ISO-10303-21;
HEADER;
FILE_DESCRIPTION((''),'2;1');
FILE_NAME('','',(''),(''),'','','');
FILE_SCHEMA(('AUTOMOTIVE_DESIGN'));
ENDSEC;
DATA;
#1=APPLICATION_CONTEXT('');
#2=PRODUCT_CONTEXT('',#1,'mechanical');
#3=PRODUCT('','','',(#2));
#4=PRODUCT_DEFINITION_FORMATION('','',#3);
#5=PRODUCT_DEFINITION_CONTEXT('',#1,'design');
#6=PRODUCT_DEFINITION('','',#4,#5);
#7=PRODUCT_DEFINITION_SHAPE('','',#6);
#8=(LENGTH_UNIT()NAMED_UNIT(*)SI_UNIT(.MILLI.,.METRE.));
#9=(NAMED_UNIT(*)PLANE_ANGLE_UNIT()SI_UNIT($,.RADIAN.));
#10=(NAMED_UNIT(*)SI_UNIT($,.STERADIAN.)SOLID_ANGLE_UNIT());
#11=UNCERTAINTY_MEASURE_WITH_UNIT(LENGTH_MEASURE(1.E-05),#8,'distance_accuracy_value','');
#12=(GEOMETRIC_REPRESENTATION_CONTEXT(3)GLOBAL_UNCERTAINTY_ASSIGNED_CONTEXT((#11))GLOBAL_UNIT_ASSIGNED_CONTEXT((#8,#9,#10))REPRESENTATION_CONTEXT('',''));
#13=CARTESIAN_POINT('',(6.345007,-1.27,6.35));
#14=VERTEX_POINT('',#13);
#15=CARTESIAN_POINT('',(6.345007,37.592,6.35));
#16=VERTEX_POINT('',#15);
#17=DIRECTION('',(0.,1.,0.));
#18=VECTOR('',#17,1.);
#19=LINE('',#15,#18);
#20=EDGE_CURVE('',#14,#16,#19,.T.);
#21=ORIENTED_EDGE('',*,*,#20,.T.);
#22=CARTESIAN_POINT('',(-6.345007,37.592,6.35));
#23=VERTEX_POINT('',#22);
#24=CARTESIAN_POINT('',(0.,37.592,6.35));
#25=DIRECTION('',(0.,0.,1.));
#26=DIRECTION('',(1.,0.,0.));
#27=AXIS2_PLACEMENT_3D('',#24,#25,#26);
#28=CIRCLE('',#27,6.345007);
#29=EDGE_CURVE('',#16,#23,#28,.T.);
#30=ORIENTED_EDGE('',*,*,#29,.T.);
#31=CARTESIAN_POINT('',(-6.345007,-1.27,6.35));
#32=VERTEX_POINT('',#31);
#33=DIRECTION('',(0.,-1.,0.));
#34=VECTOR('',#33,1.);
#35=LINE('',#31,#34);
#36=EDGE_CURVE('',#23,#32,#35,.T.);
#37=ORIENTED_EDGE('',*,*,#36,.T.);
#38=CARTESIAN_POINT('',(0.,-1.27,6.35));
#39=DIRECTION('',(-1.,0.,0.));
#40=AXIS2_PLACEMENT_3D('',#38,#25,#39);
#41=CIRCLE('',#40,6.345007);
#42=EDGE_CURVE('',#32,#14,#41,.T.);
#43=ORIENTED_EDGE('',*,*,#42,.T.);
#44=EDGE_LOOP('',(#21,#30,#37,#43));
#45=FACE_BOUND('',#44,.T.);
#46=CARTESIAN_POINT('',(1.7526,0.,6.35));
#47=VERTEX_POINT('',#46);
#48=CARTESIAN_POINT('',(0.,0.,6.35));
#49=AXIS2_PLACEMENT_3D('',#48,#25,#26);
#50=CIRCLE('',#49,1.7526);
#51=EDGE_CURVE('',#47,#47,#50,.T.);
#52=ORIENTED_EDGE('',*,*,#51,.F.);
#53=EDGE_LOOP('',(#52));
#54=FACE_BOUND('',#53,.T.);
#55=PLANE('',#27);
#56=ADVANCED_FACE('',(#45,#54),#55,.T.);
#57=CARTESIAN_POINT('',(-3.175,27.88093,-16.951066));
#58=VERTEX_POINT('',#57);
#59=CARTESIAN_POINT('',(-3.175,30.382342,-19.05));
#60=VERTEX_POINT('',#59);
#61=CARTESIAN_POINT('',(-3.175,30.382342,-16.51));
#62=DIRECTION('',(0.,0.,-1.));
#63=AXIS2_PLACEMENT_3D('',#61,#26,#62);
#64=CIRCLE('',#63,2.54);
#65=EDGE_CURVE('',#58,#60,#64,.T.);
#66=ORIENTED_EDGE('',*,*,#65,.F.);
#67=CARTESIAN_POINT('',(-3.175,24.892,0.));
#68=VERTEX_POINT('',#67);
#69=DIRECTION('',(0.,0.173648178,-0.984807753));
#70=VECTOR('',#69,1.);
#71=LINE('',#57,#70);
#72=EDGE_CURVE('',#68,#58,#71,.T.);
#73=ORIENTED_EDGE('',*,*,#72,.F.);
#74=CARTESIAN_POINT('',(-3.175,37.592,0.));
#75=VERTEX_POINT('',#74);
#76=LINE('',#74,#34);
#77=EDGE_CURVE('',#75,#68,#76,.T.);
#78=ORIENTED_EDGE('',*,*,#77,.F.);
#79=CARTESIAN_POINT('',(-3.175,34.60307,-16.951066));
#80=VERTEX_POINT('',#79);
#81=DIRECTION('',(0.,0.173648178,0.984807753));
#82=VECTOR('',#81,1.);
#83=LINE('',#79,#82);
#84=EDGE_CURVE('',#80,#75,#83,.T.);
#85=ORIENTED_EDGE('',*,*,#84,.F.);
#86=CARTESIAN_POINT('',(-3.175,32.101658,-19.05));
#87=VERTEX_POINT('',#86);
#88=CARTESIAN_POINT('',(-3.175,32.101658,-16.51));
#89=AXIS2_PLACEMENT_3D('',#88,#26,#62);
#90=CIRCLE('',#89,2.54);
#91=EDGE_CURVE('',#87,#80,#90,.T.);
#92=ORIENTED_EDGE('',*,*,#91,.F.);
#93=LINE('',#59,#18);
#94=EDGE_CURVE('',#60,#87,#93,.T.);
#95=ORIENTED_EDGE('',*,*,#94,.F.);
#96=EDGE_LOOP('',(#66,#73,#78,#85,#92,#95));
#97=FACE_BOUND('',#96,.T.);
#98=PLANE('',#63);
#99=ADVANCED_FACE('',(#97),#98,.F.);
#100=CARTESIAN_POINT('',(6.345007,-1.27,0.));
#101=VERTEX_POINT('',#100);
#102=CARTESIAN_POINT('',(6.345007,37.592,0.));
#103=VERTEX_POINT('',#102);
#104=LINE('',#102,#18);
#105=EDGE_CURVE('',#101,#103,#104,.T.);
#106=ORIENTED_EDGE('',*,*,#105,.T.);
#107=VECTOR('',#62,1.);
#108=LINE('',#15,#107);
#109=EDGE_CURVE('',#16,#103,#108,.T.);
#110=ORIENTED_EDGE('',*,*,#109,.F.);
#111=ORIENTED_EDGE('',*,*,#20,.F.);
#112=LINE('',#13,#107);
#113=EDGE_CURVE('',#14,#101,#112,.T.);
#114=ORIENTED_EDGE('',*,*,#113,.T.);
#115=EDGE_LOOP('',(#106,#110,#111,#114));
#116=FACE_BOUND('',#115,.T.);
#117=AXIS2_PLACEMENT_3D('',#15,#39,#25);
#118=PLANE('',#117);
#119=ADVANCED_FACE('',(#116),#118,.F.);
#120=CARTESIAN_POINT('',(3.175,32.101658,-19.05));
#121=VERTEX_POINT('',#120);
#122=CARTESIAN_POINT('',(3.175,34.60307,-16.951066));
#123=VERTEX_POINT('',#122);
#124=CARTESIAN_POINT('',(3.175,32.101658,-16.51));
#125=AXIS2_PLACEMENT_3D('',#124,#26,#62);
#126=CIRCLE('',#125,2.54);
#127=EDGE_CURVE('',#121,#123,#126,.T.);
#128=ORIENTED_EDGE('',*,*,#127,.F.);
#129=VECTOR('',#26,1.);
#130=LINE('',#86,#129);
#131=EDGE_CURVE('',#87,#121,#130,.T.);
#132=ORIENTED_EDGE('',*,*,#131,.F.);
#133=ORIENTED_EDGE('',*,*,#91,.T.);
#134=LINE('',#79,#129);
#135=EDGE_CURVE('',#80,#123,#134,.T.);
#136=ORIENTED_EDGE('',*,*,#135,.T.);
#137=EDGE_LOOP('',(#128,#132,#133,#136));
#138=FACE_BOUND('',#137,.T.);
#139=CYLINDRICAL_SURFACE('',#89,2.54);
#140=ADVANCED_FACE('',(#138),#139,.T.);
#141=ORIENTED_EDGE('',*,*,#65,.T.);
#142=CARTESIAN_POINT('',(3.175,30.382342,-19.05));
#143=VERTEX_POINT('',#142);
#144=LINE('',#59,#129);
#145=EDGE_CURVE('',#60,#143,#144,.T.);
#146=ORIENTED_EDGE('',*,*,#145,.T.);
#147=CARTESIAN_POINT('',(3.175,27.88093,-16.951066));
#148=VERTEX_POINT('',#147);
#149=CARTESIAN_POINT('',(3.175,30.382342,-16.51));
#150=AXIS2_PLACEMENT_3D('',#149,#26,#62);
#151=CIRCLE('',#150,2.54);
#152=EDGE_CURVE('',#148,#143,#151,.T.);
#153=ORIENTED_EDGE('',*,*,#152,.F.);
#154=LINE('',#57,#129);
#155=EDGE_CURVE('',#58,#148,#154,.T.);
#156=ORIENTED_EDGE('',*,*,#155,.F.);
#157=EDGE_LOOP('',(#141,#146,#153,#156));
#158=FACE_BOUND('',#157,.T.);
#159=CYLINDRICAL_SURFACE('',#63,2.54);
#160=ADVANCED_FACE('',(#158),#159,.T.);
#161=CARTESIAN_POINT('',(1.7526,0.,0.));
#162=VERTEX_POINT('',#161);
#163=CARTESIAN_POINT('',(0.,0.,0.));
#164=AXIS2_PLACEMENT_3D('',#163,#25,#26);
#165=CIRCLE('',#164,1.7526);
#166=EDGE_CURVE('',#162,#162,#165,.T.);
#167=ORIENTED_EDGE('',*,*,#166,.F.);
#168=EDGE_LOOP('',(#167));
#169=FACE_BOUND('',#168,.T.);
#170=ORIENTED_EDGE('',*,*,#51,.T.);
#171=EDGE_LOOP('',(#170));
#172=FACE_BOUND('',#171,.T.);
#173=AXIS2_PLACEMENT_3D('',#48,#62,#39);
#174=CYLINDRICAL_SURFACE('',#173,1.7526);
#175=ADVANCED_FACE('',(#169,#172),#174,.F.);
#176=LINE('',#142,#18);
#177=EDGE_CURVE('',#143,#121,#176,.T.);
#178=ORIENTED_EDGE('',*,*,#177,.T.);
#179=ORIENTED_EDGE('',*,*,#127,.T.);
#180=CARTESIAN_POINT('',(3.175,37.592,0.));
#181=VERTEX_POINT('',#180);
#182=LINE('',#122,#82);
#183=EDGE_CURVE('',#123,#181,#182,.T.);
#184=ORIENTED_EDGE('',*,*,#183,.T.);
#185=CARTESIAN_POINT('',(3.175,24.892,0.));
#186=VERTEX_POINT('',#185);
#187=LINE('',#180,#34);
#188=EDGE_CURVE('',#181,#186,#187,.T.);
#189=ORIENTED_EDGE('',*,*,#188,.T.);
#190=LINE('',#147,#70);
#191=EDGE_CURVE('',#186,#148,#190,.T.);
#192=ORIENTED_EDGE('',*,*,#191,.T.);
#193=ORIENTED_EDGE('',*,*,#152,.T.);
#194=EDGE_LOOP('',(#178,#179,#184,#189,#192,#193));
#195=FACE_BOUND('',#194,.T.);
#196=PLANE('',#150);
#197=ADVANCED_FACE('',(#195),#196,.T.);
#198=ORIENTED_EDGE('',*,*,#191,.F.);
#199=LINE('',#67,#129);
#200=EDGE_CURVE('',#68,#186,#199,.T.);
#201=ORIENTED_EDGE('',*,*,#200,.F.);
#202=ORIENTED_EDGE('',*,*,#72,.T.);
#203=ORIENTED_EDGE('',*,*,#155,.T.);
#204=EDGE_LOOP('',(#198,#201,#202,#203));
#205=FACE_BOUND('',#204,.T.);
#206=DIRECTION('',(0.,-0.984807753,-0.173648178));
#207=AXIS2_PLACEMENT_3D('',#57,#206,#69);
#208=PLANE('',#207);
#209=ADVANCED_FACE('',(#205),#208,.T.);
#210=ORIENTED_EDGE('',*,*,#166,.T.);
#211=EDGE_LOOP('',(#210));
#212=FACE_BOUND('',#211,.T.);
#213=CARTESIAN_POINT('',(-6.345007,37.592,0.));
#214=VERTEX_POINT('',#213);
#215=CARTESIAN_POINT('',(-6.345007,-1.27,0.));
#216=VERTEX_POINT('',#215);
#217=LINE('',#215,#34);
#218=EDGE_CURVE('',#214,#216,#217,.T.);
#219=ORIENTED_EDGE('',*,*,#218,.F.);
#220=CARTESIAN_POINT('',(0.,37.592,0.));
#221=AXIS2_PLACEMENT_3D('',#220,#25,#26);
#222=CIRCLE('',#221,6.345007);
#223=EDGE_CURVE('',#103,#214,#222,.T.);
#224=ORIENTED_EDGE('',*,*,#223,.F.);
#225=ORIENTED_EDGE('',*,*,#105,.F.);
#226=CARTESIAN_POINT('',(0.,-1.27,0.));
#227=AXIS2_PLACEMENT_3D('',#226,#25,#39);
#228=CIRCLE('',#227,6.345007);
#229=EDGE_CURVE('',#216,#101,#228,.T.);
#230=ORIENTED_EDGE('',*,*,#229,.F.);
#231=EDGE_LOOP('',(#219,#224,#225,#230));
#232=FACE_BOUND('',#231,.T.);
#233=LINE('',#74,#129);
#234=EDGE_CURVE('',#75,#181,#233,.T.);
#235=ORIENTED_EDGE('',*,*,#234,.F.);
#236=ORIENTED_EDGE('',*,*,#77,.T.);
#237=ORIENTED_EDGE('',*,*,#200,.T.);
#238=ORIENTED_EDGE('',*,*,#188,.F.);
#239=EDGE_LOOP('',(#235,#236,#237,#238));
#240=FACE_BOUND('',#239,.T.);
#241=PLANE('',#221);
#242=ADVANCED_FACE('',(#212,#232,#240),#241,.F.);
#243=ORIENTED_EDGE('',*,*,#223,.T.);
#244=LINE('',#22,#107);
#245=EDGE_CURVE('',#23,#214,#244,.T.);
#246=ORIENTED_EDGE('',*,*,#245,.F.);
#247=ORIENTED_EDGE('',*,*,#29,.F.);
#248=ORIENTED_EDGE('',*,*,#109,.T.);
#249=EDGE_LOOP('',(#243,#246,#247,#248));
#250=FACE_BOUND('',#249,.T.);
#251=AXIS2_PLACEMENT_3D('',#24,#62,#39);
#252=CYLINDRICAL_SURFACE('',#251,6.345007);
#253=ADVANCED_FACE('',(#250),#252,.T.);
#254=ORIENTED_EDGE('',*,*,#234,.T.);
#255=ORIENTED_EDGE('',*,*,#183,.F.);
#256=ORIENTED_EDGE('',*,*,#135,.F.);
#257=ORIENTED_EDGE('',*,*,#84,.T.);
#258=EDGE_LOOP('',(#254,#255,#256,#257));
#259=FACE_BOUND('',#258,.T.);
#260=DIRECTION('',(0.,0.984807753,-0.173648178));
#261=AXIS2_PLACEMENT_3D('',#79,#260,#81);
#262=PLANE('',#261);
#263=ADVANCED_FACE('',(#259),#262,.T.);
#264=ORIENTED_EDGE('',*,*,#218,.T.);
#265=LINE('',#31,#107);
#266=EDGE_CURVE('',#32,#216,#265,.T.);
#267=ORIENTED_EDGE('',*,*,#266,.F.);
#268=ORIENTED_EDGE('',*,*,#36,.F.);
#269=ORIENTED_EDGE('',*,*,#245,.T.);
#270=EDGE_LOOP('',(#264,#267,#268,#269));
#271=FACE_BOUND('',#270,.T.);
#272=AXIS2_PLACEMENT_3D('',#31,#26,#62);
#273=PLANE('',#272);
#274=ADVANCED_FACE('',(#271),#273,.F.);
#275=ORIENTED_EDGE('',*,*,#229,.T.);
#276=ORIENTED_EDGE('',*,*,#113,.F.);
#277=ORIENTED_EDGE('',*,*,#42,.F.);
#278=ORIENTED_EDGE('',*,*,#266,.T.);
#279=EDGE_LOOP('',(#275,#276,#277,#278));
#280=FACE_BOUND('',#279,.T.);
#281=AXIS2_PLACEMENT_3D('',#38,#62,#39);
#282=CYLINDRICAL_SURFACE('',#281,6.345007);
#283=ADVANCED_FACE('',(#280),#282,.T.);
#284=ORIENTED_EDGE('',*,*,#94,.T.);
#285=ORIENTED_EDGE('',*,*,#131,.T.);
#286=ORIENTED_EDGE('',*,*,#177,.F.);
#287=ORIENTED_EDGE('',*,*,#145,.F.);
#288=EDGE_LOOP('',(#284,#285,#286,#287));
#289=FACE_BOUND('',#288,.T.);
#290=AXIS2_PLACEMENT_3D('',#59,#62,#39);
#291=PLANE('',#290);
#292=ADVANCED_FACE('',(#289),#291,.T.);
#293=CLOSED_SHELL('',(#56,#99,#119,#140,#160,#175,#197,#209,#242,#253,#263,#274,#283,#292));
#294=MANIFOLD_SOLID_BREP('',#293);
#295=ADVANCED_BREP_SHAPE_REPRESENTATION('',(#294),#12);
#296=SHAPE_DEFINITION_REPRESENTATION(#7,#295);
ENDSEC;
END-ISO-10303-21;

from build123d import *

# Parameters (mm, degrees)
SKETCH1_R                = 1.7526
BOSS_EXTRUDE1_DEPTH      = 6.35
BOSS_EXTRUDE2_DEPTH      = 3.175
BOSS_EXTRUDE2_DEPTH_BACK = 3.175


with BuildPart() as part:
    # Sketch1 → Boss-Extrude1 (new body)
    with BuildSketch(Plane.XY):
        with BuildLine():
            Line((-6.345006919, -1.27), (-6.345006919, 37.592))
            ThreePointArc((-6.345006919, 37.592), (0, 43.937006919), (6.345006919, 37.592))
            Line((6.345006919, 37.592), (6.345006919, -1.27))
            ThreePointArc((6.345006919, -1.27), (0, -7.615006919), (-6.345006919, -1.27))
        make_face()
        Circle(SKETCH1_R, mode=Mode.SUBTRACT)
    extrude(amount=BOSS_EXTRUDE1_DEPTH)

    # Sketch2 → Boss-Extrude2 (add, two sides: drawn at the far end of the back side and taken through both)
    with BuildSketch(Plane(origin=(0, 0, 0), x_dir=(0, 0, -1), z_dir=(1, 0, 0)).offset(-BOSS_EXTRUDE2_DEPTH_BACK)):
        with BuildLine():
            Line((0, 37.592), (0, 24.892))
            Line((0, 24.892), (16.951066371, 27.880930353))
            ThreePointArc((16.951066371, 27.880930353), (18.455752886, 28.749661517), (19.05, 30.382342046))
            Line((19.05, 30.382342046), (19.05, 32.101657954))
            ThreePointArc((19.05, 32.101657954), (18.455752886, 33.734338483), (16.951066371, 34.603069647))
            Line((16.951066371, 34.603069647), (0, 37.592))
        make_face()
    extrude(amount=BOSS_EXTRUDE2_DEPTH + BOSS_EXTRUDE2_DEPTH_BACK)


solid = part.part
